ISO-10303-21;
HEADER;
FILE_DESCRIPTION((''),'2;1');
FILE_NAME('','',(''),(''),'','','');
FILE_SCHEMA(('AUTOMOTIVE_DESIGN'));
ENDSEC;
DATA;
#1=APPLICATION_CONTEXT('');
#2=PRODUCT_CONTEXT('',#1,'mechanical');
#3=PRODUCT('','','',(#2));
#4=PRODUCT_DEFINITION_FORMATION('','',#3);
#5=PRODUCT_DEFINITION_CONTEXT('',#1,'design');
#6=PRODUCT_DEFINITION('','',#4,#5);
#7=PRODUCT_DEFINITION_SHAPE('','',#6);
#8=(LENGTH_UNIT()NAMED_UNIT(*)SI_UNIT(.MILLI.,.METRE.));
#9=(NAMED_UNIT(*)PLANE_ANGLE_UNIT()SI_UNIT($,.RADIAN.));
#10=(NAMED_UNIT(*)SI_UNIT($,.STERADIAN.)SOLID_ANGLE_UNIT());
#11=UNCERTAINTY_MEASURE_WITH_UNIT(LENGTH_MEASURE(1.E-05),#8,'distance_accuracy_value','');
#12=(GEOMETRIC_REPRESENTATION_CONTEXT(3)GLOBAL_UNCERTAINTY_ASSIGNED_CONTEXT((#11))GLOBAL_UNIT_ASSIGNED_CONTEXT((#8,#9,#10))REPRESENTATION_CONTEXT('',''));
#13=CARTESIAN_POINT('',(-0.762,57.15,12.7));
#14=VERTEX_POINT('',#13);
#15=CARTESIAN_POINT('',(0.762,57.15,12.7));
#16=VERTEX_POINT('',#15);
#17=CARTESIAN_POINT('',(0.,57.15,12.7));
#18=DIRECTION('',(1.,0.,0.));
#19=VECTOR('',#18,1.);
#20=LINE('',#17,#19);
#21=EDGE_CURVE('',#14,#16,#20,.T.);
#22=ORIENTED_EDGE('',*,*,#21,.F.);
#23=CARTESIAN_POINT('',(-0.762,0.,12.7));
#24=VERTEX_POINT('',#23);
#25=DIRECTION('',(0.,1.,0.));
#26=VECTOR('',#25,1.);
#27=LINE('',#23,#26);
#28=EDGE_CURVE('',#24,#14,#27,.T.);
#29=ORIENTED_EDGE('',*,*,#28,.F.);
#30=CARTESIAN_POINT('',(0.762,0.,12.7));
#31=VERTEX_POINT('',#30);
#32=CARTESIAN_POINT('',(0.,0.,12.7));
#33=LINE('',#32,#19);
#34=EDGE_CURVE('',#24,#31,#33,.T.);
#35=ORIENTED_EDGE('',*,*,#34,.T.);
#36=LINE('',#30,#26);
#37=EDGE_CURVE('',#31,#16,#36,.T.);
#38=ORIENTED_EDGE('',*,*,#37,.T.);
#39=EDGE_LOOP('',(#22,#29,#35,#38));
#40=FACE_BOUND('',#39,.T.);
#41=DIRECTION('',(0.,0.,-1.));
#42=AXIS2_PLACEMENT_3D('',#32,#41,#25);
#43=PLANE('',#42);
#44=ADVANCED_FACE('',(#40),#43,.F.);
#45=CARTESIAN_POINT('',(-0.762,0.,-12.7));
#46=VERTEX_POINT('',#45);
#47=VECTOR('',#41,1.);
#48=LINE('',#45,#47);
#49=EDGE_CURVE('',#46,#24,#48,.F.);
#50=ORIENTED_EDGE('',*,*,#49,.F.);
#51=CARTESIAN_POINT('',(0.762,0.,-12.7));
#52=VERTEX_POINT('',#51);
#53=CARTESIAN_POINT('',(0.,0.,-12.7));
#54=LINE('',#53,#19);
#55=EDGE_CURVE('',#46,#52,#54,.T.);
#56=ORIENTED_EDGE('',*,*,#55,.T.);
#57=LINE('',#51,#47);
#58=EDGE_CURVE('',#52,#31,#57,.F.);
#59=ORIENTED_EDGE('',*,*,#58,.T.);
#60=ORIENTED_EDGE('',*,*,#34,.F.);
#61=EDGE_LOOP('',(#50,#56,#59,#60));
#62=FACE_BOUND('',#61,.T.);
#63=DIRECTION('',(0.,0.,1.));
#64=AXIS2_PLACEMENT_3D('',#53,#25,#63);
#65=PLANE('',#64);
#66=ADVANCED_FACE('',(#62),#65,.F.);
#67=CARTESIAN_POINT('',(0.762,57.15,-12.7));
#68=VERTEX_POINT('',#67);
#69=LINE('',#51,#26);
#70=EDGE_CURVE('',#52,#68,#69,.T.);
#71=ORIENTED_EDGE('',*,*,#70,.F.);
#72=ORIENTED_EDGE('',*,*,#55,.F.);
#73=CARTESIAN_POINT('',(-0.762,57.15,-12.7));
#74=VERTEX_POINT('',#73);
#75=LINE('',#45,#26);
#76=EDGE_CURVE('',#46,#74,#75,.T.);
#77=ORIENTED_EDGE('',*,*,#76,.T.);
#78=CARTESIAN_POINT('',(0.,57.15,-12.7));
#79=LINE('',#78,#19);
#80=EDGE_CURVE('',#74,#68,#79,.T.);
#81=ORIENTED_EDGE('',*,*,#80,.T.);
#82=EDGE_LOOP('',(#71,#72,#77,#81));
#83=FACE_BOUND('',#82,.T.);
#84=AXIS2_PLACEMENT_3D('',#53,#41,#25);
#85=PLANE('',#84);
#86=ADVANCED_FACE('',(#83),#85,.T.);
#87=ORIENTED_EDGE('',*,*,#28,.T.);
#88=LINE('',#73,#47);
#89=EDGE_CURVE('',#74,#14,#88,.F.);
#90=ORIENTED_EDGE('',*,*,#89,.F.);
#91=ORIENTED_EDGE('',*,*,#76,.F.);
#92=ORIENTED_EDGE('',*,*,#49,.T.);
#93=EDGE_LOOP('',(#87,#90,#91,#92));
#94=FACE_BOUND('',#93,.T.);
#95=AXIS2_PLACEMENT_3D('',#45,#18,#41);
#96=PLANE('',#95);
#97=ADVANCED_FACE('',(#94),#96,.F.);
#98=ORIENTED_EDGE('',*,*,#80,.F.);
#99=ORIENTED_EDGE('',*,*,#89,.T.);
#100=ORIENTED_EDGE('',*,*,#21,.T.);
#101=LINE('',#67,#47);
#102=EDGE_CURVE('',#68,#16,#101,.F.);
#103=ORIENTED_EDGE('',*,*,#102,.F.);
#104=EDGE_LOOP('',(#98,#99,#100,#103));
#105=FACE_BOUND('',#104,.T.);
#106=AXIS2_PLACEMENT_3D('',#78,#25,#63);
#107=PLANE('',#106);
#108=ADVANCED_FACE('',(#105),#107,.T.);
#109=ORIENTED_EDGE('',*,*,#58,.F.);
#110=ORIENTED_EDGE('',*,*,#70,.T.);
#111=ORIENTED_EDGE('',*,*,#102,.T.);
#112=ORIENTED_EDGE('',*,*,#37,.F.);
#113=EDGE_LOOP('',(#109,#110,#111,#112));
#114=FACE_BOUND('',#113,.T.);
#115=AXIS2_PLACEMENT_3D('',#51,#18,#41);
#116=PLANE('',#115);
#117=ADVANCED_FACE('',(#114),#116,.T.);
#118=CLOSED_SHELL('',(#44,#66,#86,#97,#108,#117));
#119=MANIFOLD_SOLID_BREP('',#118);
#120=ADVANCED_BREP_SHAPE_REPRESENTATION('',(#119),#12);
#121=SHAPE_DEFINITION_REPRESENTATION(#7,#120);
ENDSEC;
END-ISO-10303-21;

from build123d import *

# Parameters (mm, degrees)
SURFACE_EXTRUDE1_1_BACK  = 12.7
SURFACE_EXTRUDE1_1_DEPTH = 25.4
THICKEN1_T1              = 0.762
THICKEN1_T2              = 0.762


with BuildPart() as body_1:
    # Surface-Extrude1: a surface, the sketch's curves swept straight by 25.4 mm
    with BuildLine(Plane.XY.offset(-SURFACE_EXTRUDE1_1_BACK), mode=Mode.PRIVATE) as surface_extrude1_1_path:
        Line((0, 0), (0, 57.15))
    surface_extrude1_1 = Shell.extrude(surface_extrude1_1_path.wire(), (0 * SURFACE_EXTRUDE1_1_DEPTH, 0 * SURFACE_EXTRUDE1_1_DEPTH, 1 * SURFACE_EXTRUDE1_1_DEPTH))
    add(Solid.thicken(surface_extrude1_1, THICKEN1_T1))
    add(Solid.thicken(surface_extrude1_1, -THICKEN1_T2))


solid = body_1.part
